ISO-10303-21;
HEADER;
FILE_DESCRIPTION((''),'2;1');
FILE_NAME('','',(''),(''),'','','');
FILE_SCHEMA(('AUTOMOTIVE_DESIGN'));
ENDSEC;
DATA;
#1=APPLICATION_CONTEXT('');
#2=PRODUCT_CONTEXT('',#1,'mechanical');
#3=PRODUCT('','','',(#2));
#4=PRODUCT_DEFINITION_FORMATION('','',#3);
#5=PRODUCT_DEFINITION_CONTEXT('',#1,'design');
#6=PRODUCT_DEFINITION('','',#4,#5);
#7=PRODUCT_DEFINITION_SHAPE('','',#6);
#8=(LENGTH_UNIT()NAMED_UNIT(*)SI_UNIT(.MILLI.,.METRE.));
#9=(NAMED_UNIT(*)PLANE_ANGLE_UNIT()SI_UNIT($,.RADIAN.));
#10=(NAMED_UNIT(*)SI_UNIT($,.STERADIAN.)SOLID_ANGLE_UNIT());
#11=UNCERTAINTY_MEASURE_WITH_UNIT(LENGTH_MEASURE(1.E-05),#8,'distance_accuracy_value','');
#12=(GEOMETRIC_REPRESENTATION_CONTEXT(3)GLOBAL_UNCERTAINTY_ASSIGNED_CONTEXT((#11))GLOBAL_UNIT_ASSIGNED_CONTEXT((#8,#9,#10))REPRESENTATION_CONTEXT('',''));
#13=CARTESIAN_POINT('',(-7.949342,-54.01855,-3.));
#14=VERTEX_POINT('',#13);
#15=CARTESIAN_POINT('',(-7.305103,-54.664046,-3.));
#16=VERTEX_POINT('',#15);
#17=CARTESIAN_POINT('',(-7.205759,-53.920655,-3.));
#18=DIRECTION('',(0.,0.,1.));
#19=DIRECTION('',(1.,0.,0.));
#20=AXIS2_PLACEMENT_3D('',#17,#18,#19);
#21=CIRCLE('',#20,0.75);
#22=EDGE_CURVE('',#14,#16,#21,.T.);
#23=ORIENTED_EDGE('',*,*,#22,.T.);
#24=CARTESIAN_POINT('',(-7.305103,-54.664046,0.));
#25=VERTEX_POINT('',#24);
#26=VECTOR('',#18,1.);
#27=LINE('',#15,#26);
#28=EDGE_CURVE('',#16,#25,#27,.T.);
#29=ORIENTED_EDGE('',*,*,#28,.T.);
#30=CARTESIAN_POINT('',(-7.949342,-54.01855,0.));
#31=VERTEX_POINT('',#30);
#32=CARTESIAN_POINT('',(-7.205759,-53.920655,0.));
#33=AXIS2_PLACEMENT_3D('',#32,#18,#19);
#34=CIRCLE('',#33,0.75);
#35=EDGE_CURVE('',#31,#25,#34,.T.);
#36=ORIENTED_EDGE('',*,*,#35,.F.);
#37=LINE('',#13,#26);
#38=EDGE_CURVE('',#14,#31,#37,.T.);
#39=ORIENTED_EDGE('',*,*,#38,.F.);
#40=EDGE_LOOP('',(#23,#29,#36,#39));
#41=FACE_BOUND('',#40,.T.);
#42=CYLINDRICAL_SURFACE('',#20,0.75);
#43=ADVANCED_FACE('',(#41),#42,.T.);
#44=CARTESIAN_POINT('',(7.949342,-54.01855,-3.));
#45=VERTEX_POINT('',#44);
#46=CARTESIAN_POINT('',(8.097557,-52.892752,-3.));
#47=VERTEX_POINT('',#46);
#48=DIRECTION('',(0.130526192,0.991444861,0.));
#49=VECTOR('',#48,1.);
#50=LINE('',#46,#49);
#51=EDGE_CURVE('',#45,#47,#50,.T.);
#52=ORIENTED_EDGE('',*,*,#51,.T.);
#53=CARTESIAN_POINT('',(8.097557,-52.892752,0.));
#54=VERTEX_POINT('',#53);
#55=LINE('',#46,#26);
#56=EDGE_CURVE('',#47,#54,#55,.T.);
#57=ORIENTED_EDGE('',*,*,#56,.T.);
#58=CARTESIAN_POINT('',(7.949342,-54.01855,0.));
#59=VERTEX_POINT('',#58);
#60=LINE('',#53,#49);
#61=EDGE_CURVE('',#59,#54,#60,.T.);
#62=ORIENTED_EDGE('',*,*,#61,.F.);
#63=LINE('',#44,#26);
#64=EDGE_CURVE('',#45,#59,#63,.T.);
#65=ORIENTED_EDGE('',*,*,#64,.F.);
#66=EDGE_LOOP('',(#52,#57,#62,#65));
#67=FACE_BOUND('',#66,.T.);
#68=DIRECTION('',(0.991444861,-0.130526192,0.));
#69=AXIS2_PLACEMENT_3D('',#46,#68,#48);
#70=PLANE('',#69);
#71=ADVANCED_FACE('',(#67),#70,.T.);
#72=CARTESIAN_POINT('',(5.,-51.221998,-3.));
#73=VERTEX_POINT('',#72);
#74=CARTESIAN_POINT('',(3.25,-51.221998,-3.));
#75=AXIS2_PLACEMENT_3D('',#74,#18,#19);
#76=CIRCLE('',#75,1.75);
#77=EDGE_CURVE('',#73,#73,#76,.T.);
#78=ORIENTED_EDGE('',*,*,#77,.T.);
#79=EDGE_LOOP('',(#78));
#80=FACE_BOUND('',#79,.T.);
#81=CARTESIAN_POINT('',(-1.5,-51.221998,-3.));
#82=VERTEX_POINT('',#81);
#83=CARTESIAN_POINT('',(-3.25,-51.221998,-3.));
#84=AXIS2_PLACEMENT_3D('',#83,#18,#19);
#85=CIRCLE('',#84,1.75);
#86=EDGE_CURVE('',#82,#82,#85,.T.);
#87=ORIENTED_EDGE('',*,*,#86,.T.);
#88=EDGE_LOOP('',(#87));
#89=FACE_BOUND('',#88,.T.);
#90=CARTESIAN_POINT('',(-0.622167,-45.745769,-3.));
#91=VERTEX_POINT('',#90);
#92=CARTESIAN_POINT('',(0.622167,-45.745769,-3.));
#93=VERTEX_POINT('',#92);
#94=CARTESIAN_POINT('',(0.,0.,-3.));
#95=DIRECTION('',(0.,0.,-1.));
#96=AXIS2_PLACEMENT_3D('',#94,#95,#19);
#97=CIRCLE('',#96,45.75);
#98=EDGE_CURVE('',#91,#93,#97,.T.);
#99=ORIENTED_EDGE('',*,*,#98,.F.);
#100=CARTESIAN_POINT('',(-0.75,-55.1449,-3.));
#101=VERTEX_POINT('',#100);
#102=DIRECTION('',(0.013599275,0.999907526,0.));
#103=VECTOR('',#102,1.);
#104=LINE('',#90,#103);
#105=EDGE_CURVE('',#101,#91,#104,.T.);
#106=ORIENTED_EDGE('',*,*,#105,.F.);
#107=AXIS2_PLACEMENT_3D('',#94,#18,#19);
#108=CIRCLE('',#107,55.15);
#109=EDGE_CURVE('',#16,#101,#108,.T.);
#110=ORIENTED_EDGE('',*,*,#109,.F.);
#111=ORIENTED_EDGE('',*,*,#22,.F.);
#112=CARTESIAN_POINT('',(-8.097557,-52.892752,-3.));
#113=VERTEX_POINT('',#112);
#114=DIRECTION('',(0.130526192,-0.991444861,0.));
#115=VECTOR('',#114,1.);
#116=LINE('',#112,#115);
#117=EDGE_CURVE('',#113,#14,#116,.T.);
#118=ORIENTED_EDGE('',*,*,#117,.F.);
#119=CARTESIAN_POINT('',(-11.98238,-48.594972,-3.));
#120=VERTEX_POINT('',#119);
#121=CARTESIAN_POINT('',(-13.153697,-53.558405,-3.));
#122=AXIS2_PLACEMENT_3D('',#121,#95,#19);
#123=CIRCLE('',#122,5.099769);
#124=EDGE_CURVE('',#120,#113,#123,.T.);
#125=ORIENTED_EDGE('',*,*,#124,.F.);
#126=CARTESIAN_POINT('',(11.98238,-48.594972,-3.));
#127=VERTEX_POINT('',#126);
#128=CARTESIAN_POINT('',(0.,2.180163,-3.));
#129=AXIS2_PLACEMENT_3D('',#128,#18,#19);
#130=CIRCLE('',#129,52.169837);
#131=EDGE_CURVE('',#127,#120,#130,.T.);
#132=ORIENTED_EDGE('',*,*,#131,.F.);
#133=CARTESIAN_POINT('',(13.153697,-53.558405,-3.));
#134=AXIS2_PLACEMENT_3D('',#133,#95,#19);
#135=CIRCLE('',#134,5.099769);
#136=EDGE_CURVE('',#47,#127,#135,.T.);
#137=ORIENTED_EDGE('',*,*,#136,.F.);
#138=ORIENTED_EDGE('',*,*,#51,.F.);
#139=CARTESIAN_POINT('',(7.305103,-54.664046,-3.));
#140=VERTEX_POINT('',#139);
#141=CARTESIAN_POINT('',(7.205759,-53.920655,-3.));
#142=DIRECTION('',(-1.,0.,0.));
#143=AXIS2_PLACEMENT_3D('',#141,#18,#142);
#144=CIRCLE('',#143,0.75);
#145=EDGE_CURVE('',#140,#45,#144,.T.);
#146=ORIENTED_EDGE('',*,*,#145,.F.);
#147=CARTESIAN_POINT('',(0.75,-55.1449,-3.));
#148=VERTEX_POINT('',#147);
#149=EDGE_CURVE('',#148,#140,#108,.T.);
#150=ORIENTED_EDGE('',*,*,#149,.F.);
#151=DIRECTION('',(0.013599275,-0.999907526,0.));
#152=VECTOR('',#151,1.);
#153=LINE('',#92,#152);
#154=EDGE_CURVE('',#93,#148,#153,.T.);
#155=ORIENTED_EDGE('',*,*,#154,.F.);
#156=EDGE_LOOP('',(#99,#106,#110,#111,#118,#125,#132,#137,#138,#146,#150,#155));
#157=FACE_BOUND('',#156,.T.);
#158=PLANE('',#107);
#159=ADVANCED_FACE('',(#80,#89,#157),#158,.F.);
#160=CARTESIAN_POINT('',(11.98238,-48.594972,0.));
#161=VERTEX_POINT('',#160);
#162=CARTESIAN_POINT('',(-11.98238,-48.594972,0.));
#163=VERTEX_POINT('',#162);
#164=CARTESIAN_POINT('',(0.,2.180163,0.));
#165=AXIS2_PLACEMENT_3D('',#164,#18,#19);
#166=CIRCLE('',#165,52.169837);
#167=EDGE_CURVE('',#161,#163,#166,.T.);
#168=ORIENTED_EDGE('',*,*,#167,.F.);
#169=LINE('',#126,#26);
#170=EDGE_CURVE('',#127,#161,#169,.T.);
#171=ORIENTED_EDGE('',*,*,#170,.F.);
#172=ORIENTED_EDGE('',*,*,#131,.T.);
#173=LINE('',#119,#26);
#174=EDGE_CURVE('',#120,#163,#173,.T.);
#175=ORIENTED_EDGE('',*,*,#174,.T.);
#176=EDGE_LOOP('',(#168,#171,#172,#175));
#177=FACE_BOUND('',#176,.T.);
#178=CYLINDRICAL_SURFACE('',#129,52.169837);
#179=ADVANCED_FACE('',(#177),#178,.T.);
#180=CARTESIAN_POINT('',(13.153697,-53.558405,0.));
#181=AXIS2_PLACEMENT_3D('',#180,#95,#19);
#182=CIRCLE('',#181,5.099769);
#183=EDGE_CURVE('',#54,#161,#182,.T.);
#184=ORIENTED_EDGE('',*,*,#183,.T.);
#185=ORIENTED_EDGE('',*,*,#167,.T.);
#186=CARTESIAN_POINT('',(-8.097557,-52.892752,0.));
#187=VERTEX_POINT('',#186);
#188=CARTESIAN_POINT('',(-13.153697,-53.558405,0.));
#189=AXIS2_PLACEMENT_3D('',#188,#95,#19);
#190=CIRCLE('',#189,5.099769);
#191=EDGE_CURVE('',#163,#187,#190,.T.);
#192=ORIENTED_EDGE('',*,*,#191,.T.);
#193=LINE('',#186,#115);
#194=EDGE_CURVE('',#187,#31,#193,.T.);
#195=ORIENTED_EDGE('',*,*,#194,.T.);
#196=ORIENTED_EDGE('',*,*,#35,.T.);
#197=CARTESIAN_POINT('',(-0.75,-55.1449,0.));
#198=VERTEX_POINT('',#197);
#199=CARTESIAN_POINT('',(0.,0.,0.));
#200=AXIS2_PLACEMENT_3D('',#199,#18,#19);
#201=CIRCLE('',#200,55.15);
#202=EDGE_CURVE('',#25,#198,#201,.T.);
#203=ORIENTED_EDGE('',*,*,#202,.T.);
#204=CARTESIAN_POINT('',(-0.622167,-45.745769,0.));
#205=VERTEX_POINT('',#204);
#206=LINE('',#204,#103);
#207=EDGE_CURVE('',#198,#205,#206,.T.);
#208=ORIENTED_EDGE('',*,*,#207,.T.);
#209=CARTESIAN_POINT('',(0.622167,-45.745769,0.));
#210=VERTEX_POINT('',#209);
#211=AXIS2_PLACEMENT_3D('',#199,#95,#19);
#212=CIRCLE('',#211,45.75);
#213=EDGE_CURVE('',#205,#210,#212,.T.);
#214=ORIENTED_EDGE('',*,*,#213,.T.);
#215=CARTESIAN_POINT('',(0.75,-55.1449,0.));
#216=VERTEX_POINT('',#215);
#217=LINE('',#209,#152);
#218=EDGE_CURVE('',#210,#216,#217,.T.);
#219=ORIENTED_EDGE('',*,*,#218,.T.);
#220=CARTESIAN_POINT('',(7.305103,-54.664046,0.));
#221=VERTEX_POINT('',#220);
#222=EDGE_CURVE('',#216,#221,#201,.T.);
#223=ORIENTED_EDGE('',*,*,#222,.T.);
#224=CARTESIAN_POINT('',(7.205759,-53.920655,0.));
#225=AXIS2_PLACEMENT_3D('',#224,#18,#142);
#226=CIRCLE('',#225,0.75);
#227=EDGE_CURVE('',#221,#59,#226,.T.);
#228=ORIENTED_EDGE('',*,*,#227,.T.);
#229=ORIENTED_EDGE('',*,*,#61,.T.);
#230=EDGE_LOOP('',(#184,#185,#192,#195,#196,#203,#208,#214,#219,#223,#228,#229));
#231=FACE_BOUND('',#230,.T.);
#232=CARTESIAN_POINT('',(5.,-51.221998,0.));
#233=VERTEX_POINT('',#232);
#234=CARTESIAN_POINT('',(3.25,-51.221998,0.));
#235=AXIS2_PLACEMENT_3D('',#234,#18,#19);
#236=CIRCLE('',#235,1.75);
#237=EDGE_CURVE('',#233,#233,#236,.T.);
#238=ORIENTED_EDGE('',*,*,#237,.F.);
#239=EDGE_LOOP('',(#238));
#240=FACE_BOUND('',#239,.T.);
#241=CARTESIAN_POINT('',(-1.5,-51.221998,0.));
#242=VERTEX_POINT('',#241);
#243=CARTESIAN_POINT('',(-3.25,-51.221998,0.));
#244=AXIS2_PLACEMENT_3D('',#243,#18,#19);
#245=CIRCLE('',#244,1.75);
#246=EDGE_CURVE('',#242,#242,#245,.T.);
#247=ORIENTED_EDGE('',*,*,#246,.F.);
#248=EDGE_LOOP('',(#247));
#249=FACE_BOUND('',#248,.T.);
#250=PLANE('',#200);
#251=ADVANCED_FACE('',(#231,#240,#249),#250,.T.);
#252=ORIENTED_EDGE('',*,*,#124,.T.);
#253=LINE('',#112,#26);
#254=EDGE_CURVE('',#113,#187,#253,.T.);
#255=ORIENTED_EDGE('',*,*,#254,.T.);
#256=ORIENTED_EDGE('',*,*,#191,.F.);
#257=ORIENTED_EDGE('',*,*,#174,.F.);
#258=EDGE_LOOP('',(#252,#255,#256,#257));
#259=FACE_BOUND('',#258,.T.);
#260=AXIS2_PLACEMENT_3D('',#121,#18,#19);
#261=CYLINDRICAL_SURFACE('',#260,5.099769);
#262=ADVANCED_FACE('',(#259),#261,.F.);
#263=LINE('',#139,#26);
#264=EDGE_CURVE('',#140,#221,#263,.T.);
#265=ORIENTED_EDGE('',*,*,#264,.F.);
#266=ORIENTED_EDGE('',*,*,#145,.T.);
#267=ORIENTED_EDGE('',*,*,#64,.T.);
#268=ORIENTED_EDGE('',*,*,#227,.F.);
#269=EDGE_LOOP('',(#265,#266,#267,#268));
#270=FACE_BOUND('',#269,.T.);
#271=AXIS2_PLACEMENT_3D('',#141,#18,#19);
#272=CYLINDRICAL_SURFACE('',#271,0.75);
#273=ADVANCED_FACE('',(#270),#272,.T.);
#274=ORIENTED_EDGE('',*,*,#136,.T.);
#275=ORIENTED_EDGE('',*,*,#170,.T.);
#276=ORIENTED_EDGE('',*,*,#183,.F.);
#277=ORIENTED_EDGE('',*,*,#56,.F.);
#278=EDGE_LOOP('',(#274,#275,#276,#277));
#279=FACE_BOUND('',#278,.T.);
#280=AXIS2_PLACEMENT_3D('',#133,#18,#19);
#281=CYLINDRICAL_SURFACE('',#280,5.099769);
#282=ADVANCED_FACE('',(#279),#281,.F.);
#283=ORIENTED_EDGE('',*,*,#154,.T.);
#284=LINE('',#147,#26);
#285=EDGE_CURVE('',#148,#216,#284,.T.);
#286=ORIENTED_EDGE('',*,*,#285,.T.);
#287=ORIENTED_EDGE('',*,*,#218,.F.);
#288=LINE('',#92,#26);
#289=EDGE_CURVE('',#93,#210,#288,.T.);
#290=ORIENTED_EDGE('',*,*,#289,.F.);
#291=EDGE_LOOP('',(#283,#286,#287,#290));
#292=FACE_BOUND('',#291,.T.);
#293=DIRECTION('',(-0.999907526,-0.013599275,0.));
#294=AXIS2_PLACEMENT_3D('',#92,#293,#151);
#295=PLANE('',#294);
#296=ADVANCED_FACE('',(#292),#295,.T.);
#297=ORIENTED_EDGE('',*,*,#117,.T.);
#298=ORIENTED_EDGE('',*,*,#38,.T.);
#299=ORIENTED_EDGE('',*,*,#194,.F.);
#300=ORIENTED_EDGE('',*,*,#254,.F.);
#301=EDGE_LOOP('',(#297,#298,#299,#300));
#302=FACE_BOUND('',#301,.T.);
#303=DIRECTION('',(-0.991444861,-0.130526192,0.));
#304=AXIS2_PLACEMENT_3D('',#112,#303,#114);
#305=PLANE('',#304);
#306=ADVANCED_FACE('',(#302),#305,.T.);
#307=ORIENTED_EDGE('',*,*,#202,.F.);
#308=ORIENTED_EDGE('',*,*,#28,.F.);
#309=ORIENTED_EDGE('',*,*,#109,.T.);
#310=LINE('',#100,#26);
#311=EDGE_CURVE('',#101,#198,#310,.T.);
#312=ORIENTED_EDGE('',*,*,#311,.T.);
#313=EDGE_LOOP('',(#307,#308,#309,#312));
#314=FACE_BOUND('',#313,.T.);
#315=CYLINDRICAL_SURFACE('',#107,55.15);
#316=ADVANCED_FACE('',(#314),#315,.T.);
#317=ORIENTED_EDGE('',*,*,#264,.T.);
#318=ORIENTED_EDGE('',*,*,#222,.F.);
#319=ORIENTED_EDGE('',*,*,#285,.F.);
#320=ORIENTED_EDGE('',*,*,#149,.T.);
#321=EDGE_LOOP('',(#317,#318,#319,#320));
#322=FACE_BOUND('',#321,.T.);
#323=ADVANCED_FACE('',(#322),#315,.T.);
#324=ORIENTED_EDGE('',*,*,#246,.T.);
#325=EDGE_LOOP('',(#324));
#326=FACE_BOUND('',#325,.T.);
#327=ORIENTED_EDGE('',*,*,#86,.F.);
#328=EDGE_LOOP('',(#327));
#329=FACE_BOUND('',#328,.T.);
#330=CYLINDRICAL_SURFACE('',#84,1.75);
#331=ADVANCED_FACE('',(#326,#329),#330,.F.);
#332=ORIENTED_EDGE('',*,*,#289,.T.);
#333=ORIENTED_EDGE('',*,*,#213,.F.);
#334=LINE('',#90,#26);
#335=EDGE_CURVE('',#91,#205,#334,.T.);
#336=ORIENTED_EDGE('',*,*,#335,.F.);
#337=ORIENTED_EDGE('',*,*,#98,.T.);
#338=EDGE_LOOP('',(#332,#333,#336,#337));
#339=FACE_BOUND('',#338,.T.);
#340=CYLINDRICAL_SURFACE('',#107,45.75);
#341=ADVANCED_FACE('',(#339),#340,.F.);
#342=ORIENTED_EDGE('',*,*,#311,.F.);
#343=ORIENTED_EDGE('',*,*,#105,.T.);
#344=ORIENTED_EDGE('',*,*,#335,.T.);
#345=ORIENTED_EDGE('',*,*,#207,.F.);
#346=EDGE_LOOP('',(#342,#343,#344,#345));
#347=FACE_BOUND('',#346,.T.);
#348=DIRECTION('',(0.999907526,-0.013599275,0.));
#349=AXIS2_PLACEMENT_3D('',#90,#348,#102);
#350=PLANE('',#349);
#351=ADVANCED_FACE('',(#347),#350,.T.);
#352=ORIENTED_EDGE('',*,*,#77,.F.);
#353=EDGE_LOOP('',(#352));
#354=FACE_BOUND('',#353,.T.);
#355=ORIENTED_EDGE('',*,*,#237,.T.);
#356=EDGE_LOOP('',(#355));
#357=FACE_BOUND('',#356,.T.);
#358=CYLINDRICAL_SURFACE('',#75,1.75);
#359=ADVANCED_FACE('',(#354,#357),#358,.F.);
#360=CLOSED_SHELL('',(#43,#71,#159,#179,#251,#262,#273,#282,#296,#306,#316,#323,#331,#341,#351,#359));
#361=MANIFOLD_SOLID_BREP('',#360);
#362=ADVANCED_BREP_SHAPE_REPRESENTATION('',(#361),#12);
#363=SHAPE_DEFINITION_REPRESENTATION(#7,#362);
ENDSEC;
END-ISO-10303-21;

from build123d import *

# Parameters (mm, degrees)
BODYSKE_R  = 1.75
BODY_DEPTH = 3


with BuildPart() as part:
    # BodySke → Body (new body)
    with BuildSketch(Plane.XY):
        with BuildLine():
            Line((0.622166818, -45.745769296), (0.75, -55.144900036))
            ThreePointArc((0.75, -55.144900036), (4.03472129, -55.002213811), (7.305102938, -54.664046421))
            ThreePointArc((7.305102938, -54.664046421), (7.73660562, -54.450467921), (7.949342482, -54.018549681))
            Line((7.949342482, -54.018549681), (8.097556595, -52.892751728))
            ThreePointArc((8.097556595, -52.892751728), (9.370440142, -50.138665895), (11.982380388, -48.594972452))
            ThreePointArc((11.982380388, -48.594972452), (0, 54.35), (-11.982380388, -48.594972452))
            ThreePointArc((-11.982380388, -48.594972452), (-9.370440142, -50.138665895), (-8.097556595, -52.892751728))
            Line((-8.097556595, -52.892751728), (-7.949342482, -54.018549681))
            ThreePointArc((-7.949342482, -54.018549681), (-7.73660562, -54.450467921), (-7.305102938, -54.664046421))
            ThreePointArc((-7.305102938, -54.664046421), (-4.03472129, -55.002213811), (-0.75, -55.144900036))
            Line((-0.75, -55.144900036), (-0.622166818, -45.745769296))
            ThreePointArc((-0.622166818, -45.745769296), (0, 45.75), (0.622166818, -45.745769296))
        make_face()
        with Locations((3.25, -51.221998448)):
            Circle(BODYSKE_R, mode=Mode.SUBTRACT)
        with Locations((-3.25, -51.221998448)):
            Circle(BODYSKE_R, mode=Mode.SUBTRACT)
    extrude(amount=-BODY_DEPTH)


solid = part.part
